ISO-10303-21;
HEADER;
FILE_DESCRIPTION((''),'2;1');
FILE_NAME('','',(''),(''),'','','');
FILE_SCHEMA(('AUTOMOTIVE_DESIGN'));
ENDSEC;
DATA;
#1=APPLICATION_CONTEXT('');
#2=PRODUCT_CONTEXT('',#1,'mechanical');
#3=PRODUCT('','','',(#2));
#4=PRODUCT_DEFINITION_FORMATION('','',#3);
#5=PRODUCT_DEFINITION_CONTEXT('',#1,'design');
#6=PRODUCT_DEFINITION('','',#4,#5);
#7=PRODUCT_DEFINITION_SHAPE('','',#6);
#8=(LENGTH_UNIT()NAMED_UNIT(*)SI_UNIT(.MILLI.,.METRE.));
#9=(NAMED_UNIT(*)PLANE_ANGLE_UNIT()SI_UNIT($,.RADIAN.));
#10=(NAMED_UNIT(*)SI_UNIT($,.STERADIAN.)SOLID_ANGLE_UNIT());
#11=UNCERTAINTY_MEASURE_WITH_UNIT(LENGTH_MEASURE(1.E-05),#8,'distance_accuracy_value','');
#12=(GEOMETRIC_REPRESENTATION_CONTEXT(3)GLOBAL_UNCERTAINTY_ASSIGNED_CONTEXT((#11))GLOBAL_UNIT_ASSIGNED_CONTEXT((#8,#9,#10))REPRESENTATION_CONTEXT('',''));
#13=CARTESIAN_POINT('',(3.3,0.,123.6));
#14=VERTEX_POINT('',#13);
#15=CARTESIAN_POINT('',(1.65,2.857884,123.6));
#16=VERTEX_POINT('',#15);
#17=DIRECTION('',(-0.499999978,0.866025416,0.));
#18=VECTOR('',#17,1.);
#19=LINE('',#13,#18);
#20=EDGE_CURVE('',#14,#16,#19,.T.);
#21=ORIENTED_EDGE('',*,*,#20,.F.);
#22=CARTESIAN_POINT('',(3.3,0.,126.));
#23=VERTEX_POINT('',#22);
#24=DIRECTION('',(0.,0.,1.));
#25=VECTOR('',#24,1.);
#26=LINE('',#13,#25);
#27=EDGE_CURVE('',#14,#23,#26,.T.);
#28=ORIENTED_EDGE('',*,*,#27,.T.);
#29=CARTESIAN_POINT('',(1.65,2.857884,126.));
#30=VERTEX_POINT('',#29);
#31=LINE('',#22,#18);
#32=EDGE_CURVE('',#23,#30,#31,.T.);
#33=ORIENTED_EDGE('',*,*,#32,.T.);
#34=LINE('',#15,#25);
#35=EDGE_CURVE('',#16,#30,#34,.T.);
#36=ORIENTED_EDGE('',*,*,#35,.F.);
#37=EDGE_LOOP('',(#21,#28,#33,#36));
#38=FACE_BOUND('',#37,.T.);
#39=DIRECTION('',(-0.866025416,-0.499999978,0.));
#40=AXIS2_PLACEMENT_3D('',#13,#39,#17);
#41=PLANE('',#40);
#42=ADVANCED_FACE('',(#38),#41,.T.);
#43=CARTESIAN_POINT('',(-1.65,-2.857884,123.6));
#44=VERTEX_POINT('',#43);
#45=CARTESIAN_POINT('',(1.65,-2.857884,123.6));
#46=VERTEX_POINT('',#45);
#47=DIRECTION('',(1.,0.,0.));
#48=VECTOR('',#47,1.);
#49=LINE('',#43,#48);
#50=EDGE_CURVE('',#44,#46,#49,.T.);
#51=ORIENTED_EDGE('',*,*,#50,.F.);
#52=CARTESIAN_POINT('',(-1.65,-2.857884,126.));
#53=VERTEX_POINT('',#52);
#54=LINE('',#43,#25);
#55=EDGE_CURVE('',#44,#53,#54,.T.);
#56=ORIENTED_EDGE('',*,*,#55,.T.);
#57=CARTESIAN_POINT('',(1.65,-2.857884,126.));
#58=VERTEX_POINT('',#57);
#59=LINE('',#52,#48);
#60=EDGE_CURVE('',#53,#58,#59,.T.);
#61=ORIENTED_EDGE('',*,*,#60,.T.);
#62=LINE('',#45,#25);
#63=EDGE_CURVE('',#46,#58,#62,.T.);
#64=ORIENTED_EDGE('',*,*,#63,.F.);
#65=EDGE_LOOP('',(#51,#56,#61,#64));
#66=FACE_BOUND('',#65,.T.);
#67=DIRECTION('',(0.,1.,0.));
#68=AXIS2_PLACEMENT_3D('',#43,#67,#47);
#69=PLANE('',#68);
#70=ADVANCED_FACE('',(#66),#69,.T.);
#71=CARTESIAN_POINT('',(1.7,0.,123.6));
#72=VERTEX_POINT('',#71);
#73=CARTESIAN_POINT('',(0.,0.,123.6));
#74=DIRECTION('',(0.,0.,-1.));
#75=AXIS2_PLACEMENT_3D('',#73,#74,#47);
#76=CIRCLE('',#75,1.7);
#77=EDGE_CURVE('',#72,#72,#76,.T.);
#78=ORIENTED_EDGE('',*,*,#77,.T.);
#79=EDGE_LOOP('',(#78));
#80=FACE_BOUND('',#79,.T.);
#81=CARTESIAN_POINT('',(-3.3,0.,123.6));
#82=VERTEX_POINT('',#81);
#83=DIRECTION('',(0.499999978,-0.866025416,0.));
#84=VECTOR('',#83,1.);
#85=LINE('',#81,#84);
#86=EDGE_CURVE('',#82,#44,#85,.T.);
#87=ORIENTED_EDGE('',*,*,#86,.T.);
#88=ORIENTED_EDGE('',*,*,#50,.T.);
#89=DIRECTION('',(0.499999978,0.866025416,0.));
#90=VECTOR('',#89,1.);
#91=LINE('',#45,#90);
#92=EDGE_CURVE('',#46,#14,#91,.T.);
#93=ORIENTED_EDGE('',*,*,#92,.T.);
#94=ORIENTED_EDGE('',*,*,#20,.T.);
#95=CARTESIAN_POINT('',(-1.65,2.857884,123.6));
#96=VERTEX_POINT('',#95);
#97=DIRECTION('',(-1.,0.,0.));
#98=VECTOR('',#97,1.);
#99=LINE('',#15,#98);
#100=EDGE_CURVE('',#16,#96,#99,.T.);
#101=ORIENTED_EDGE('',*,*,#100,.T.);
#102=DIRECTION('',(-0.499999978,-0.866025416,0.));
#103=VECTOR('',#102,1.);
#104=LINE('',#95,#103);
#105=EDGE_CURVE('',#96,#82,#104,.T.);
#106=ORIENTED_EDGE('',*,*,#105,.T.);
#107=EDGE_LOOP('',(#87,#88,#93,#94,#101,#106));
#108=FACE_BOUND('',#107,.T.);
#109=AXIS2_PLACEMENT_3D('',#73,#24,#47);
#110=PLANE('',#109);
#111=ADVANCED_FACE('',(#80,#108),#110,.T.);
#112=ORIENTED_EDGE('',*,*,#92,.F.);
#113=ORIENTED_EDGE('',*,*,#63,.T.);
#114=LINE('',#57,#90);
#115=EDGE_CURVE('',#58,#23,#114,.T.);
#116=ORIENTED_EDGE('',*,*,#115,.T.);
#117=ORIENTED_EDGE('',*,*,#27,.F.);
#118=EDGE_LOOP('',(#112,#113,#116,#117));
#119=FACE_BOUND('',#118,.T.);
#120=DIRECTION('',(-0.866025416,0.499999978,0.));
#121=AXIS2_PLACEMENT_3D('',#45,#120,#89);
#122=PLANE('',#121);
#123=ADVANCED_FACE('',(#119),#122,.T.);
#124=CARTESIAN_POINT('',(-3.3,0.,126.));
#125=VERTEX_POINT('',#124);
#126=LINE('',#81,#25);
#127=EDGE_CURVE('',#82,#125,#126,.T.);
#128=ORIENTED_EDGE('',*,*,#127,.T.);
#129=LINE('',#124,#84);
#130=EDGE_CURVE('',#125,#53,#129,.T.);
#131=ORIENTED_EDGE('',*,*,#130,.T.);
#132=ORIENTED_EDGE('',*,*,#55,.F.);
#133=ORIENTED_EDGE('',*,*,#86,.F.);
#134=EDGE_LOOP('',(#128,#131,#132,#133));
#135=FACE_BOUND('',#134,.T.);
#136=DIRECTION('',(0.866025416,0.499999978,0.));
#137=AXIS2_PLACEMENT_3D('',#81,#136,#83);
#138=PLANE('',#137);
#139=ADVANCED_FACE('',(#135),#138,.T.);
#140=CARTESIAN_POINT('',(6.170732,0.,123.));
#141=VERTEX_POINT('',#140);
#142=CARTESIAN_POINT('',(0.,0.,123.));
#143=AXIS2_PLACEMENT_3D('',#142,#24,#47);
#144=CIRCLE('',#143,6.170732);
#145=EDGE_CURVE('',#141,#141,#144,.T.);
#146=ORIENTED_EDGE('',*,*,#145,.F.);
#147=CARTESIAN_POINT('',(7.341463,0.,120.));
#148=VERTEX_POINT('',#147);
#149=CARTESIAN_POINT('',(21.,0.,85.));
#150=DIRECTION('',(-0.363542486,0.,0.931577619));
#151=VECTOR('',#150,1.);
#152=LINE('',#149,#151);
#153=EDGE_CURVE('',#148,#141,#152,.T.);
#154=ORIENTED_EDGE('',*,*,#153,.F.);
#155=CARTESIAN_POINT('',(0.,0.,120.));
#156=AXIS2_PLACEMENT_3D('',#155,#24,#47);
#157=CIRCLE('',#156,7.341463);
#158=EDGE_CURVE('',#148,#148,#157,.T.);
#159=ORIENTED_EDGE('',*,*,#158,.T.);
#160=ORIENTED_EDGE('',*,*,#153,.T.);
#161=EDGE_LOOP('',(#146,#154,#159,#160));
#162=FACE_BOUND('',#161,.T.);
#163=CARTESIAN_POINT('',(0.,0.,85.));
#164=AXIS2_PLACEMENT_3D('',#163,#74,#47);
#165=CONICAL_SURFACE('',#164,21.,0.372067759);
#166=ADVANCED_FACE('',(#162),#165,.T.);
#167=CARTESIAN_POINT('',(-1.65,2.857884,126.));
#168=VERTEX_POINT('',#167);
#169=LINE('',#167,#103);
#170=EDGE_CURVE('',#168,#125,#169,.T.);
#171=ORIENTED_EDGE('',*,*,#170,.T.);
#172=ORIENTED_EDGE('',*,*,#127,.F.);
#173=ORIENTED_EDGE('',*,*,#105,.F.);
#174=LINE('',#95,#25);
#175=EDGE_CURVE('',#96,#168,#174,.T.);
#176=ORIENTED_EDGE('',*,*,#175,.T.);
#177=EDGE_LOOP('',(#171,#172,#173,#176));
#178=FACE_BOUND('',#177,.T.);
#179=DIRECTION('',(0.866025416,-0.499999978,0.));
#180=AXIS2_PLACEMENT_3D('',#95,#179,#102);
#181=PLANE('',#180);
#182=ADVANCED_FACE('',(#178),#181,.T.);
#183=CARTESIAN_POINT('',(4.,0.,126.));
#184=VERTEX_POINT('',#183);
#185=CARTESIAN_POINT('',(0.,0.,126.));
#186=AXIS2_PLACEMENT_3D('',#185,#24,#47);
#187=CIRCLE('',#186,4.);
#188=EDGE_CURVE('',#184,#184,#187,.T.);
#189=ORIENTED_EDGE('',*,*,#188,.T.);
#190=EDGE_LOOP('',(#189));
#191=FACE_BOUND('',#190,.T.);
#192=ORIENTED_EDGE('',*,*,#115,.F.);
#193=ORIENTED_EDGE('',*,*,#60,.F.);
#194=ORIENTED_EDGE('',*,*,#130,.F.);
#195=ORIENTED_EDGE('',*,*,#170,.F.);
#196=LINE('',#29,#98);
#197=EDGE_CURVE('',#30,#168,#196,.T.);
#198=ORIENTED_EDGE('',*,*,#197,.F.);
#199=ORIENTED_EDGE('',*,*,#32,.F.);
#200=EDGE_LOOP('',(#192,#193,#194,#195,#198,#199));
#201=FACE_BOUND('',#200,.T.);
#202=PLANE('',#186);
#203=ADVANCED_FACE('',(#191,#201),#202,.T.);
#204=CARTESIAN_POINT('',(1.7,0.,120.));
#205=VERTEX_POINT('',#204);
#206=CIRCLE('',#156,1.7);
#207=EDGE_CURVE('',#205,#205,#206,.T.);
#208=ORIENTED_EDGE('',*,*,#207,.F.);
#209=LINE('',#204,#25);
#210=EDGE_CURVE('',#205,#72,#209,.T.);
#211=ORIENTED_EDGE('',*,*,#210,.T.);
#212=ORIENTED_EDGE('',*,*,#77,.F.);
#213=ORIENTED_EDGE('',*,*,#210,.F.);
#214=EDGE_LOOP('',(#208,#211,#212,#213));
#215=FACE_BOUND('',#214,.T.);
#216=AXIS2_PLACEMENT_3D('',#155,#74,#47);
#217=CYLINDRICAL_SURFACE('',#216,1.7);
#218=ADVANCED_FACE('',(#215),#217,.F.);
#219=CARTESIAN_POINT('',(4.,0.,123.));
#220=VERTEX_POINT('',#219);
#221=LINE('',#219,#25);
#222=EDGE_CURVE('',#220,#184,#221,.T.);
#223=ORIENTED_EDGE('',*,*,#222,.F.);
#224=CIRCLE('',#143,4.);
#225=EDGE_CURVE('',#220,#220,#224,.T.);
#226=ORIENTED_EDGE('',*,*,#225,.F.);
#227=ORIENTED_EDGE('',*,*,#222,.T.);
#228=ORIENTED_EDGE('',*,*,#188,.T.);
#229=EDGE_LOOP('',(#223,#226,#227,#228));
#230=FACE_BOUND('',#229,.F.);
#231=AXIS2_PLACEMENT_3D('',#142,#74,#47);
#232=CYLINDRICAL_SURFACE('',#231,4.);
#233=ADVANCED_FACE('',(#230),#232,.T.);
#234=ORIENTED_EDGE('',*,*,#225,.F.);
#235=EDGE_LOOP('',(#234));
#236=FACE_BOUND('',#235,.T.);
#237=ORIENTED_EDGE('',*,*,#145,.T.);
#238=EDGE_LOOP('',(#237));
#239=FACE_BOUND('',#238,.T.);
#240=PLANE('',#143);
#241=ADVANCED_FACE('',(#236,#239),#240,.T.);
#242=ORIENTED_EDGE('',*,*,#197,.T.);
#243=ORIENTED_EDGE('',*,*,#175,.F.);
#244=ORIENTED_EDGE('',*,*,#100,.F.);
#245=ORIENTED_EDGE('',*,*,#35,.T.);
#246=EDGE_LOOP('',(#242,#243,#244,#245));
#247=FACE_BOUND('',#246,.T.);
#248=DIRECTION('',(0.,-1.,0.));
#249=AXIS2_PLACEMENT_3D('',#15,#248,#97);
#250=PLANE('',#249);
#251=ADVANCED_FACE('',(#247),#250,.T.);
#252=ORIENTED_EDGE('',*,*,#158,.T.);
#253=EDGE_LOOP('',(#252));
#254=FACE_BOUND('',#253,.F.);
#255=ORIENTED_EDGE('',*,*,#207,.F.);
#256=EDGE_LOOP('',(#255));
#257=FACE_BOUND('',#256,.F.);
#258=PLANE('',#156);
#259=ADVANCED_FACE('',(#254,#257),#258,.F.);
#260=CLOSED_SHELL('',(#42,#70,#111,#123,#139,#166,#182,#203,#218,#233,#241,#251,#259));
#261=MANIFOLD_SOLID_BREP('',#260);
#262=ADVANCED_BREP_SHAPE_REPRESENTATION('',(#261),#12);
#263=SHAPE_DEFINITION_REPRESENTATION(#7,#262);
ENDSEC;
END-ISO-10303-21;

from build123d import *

# Parameters (mm, degrees)
CYLINDER396_R     = 1.7
CYLINDER396_DEPTH = 10
PRISM028_DEPTH    = 2.4
CYLINDER402_R     = 8
CYLINDER402_DEPTH = 3
CYLINDER400_R     = 4
CYLINDER400_DEPTH = 3


with BuildPart() as cone006:
    # Cone005 → Cone005 (revolve)
    with BuildSketch(Plane(origin=(0, 0, 85), x_dir=(1, 0, 0), z_dir=(0, -1, 0))):
        Polygon((0, 0), (21, 0), (5, 41), (0, 41), align=None)
    revolve(axis=Axis((0, 0, 85), (0, 0, 1)))


with BuildPart() as cylinder396:
    # Cylinder396 → Cylinder396 (new body)
    with BuildSketch(Plane.XY.offset(120)):
        Circle(CYLINDER396_R)
    extrude(amount=CYLINDER396_DEPTH)


with BuildPart() as fusion075:
    # Prism028 → Prism028 (new body)
    with BuildSketch(Plane.XY.offset(123.6)):
        Polygon((3.3, 0), (1.65, 2.857884), (-1.65, 2.857884), (-3.3, 0), (-1.65, -2.857884), (1.65, -2.857884), align=None)
    extrude(amount=PRISM028_DEPTH)

    # Fusion076: union Cylinder396
    add(cylinder396.part)


with BuildPart() as cylinder402:
    # Cylinder402 → Cylinder402 (new body)
    with BuildSketch(Plane.XY.offset(120)):
        Circle(CYLINDER402_R)
    extrude(amount=CYLINDER402_DEPTH)


with BuildPart() as support_antenna:
    # Cylinder400 → Cylinder400 (new body)
    with BuildSketch(Plane.XY.offset(123)):
        Circle(CYLINDER400_R)
    extrude(amount=CYLINDER400_DEPTH)

    # Fusion078: union Cylinder402
    add(cylinder402.part)

    # Cut210: cut Fusion075
    add(fusion075.part, mode=Mode.SUBTRACT)

    # Common005: intersect Cone006
    add(cone006.part, mode=Mode.INTERSECT)


solid = support_antenna.part
